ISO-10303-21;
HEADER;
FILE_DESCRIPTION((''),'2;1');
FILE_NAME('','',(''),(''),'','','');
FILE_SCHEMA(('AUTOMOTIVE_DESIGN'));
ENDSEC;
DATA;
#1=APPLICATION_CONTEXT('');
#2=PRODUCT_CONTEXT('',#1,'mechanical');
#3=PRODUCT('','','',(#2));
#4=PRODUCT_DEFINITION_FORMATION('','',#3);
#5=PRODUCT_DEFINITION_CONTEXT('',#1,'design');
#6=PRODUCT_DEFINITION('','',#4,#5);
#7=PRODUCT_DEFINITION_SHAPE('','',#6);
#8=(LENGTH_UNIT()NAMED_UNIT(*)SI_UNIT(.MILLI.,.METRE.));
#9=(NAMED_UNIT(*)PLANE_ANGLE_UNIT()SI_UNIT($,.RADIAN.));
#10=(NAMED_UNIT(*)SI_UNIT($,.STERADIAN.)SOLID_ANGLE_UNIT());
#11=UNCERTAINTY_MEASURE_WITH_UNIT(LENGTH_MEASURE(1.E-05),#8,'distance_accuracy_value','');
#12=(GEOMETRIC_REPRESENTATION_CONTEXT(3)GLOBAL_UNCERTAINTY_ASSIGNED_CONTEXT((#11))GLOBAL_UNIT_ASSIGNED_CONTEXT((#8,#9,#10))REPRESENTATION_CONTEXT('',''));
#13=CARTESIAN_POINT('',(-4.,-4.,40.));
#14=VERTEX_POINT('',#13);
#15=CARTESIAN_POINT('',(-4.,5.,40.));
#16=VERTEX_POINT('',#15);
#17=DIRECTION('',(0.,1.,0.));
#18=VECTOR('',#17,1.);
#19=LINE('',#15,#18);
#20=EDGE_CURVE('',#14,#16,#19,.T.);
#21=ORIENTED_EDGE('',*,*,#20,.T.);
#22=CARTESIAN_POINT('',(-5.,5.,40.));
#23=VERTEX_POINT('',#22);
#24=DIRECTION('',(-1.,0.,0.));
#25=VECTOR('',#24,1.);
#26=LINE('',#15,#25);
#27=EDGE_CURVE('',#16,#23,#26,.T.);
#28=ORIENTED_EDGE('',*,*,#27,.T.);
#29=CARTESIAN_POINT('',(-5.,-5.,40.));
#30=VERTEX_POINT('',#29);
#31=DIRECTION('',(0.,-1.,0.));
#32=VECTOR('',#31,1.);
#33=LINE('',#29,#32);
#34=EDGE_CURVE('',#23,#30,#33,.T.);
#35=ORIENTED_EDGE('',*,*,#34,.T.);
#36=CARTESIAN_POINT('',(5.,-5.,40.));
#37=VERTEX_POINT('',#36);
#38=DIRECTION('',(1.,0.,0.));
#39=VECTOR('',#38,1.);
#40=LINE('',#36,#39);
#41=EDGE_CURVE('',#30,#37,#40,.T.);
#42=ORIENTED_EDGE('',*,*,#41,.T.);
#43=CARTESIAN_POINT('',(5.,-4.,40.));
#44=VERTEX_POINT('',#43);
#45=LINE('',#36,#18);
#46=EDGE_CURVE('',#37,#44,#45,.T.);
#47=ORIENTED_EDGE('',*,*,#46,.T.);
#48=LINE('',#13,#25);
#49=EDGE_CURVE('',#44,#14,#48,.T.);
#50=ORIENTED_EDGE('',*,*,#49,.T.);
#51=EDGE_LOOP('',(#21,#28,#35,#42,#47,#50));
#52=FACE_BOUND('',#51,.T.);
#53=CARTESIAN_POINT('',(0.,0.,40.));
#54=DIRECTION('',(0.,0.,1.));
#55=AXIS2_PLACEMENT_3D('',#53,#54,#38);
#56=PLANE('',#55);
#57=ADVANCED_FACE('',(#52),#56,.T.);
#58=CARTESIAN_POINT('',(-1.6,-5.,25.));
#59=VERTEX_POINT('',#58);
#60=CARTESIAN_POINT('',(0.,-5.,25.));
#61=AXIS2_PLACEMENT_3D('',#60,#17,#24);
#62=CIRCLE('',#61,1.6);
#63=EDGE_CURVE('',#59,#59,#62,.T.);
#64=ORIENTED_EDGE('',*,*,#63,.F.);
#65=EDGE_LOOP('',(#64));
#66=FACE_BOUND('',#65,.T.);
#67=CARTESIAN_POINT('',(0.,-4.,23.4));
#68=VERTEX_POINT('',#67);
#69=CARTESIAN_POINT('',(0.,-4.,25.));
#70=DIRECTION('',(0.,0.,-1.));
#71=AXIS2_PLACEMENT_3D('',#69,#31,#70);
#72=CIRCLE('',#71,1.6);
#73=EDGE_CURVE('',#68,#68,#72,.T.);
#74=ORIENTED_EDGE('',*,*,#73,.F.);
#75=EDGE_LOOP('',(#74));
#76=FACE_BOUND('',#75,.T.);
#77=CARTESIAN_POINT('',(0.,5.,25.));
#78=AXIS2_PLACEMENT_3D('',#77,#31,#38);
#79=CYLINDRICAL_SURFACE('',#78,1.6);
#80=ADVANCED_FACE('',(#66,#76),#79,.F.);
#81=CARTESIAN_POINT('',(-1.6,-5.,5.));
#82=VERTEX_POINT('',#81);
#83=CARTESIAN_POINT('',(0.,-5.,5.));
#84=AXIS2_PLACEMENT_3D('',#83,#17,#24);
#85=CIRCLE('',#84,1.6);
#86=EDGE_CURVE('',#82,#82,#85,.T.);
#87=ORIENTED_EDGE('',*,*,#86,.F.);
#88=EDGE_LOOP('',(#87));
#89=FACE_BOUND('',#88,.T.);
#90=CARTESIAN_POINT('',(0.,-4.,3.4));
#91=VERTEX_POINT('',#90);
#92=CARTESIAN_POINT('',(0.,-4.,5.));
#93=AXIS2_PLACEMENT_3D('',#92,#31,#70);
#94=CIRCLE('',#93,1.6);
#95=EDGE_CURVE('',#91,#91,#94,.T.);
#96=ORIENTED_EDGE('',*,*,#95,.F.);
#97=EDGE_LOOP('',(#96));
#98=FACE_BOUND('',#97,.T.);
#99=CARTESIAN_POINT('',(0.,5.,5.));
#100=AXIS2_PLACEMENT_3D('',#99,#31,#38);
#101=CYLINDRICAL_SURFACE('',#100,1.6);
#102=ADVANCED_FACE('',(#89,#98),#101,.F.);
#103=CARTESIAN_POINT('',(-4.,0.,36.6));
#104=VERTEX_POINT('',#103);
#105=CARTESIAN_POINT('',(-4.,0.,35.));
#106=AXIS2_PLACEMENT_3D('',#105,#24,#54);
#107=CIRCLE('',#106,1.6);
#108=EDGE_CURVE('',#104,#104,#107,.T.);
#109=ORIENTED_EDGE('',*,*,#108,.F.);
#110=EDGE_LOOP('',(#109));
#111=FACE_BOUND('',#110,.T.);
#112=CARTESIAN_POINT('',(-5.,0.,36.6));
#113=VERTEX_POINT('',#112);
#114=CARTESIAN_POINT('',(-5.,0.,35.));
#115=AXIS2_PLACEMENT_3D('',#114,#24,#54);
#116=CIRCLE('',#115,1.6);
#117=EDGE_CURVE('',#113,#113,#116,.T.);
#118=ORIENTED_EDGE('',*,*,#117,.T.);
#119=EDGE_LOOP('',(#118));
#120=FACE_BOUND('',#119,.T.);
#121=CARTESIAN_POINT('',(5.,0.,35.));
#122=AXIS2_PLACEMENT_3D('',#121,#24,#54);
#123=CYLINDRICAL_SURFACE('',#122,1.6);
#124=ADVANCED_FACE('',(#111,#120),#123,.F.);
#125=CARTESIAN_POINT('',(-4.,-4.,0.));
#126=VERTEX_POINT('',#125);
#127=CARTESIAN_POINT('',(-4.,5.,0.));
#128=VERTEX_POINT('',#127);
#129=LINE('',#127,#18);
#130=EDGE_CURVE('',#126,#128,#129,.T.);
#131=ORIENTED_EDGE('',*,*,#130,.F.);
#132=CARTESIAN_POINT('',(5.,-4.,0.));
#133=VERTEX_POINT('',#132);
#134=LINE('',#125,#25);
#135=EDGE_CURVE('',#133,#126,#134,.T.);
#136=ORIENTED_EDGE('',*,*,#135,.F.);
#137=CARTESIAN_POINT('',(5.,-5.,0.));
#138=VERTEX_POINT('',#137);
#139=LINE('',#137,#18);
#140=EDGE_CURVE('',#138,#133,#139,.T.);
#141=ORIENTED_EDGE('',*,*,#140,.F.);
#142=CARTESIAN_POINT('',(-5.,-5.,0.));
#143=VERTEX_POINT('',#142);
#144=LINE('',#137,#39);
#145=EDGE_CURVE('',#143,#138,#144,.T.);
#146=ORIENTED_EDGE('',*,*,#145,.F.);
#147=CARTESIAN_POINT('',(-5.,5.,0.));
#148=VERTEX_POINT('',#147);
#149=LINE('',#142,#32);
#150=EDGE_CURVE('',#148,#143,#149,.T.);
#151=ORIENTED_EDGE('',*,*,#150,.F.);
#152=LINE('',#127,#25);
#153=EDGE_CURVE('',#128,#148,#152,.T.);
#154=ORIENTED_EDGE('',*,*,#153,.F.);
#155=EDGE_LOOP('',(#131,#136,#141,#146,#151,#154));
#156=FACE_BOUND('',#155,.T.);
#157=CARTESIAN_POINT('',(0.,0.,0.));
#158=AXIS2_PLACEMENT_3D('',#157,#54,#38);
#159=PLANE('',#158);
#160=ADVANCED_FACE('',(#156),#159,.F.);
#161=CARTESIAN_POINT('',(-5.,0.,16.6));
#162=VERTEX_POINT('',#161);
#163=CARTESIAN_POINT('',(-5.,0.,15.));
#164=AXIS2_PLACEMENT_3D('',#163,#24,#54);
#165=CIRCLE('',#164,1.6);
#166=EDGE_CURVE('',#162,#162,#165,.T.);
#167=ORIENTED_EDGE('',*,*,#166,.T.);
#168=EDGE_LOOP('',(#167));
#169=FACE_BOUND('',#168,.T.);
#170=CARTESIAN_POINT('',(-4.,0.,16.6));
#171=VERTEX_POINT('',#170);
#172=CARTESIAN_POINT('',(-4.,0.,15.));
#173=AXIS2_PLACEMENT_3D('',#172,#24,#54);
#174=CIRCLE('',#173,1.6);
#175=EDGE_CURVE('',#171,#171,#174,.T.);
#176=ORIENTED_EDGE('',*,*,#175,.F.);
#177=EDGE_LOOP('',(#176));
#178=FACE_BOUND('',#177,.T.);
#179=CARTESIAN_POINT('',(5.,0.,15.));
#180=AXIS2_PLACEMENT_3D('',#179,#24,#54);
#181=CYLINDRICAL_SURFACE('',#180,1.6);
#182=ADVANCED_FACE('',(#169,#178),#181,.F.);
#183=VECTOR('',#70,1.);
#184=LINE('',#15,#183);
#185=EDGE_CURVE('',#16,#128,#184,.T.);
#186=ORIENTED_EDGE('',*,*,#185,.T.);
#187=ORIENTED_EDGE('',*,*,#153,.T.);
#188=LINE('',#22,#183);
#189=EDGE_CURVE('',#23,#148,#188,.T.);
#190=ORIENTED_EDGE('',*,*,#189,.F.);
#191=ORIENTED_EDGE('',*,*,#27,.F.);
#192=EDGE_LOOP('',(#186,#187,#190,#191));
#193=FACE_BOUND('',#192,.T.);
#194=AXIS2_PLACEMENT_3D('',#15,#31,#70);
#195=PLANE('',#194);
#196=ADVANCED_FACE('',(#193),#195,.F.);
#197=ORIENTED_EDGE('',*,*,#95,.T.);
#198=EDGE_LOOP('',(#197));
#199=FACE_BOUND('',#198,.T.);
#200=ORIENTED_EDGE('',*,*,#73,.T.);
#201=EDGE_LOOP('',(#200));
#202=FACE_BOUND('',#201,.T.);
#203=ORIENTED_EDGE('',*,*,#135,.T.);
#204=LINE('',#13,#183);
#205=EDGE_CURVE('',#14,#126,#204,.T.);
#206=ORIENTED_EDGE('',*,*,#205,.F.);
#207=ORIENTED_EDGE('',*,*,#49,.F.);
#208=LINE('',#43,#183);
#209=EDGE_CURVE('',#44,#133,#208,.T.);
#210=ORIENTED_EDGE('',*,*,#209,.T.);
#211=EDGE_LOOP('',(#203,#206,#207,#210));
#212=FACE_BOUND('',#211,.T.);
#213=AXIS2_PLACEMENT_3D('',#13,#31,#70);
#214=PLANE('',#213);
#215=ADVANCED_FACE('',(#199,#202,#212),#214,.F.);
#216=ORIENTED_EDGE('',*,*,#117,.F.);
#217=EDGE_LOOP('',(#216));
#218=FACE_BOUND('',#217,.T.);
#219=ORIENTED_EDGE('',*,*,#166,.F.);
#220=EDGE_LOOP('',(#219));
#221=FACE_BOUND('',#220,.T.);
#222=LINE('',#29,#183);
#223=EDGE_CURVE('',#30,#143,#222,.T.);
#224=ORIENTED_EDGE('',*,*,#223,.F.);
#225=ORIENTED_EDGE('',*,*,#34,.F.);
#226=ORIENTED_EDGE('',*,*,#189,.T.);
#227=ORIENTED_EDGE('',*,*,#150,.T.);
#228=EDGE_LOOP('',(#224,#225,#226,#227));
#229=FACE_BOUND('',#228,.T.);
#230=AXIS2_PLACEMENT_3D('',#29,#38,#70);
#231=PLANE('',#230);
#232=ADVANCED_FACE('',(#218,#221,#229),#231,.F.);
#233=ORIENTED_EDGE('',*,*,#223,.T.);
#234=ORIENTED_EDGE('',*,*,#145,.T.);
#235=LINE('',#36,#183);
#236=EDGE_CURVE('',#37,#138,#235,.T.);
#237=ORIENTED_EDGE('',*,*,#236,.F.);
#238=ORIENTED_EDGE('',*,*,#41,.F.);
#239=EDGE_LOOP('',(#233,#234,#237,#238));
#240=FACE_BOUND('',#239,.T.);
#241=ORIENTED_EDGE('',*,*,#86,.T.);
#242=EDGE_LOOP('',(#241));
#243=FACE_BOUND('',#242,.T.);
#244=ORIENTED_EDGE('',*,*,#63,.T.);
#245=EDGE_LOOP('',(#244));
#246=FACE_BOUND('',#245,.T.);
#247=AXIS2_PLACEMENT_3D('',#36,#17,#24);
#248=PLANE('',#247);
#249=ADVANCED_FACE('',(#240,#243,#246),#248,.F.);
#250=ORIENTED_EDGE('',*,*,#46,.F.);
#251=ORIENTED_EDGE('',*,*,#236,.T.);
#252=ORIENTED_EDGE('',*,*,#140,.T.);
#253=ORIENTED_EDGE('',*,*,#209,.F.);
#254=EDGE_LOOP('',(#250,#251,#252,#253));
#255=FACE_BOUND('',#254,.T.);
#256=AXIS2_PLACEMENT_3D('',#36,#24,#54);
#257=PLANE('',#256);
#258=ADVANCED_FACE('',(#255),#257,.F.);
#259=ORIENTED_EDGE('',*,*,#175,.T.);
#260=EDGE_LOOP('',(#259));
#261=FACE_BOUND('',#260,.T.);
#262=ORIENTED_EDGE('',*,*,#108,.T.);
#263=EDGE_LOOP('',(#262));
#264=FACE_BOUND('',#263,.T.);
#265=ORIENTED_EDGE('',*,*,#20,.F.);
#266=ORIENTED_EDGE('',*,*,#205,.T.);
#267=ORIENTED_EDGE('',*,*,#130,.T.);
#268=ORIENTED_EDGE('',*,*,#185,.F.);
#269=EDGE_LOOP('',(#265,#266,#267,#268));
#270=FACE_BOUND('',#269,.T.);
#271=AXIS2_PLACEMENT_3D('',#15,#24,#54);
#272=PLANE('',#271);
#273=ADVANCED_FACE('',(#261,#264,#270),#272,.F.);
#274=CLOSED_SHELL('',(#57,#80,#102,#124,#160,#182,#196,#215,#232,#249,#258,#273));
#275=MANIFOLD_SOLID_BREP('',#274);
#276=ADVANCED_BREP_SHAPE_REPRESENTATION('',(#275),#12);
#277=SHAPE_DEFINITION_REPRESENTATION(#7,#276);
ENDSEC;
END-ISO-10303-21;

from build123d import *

# Parameters (mm, degrees)
EXTRUDE_1_DEPTH          = 40
CUT_EXTRUDE_1_DEPTH      = 42.533119315
CUT_EXTRUDE_1_DEPTH_BACK = 42.533119315
SKETCH_2_R               = 1.6
SKETCH_3_R               = 1.6
CUT_EXTRUDE_2_DEPTH      = 42.533119315


with BuildPart() as part:
    # ｽｹｯﾁ1 → ﾎﾞｽ - 押し出し1 (new body)
    with BuildSketch(Plane.XY):
        Polygon((-4, 5), (-4, -4), (5, -4), (5, -5), (-5, -5), (-5, 5), align=None)
    extrude(amount=EXTRUDE_1_DEPTH)

    # ｽｹｯﾁ2 → ｶｯﾄ - 押し出し1 (cut, two sides: drawn at the far end of the back side and taken through both)
    with BuildSketch(Plane.XZ.offset(5).offset(-CUT_EXTRUDE_1_DEPTH_BACK)):
        with Locations(Location((0, 5, 0), (0, 0, 270))):
            Circle(SKETCH_2_R)
        with Locations(Location((0, 25, 0), (0, 0, 270))):
            Circle(SKETCH_2_R)
    extrude(amount=CUT_EXTRUDE_1_DEPTH + CUT_EXTRUDE_1_DEPTH_BACK, mode=Mode.SUBTRACT)

    # ｽｹｯﾁ3 → ｶｯﾄ - 押し出し2 (cut, through all)
    with BuildSketch(Plane.ZY.offset(5)):
        with Locations((15, 0)):
            Circle(SKETCH_3_R)
        with Locations((35, 0)):
            Circle(SKETCH_3_R)
    extrude(amount=-CUT_EXTRUDE_2_DEPTH, mode=Mode.SUBTRACT)


solid = part.part
